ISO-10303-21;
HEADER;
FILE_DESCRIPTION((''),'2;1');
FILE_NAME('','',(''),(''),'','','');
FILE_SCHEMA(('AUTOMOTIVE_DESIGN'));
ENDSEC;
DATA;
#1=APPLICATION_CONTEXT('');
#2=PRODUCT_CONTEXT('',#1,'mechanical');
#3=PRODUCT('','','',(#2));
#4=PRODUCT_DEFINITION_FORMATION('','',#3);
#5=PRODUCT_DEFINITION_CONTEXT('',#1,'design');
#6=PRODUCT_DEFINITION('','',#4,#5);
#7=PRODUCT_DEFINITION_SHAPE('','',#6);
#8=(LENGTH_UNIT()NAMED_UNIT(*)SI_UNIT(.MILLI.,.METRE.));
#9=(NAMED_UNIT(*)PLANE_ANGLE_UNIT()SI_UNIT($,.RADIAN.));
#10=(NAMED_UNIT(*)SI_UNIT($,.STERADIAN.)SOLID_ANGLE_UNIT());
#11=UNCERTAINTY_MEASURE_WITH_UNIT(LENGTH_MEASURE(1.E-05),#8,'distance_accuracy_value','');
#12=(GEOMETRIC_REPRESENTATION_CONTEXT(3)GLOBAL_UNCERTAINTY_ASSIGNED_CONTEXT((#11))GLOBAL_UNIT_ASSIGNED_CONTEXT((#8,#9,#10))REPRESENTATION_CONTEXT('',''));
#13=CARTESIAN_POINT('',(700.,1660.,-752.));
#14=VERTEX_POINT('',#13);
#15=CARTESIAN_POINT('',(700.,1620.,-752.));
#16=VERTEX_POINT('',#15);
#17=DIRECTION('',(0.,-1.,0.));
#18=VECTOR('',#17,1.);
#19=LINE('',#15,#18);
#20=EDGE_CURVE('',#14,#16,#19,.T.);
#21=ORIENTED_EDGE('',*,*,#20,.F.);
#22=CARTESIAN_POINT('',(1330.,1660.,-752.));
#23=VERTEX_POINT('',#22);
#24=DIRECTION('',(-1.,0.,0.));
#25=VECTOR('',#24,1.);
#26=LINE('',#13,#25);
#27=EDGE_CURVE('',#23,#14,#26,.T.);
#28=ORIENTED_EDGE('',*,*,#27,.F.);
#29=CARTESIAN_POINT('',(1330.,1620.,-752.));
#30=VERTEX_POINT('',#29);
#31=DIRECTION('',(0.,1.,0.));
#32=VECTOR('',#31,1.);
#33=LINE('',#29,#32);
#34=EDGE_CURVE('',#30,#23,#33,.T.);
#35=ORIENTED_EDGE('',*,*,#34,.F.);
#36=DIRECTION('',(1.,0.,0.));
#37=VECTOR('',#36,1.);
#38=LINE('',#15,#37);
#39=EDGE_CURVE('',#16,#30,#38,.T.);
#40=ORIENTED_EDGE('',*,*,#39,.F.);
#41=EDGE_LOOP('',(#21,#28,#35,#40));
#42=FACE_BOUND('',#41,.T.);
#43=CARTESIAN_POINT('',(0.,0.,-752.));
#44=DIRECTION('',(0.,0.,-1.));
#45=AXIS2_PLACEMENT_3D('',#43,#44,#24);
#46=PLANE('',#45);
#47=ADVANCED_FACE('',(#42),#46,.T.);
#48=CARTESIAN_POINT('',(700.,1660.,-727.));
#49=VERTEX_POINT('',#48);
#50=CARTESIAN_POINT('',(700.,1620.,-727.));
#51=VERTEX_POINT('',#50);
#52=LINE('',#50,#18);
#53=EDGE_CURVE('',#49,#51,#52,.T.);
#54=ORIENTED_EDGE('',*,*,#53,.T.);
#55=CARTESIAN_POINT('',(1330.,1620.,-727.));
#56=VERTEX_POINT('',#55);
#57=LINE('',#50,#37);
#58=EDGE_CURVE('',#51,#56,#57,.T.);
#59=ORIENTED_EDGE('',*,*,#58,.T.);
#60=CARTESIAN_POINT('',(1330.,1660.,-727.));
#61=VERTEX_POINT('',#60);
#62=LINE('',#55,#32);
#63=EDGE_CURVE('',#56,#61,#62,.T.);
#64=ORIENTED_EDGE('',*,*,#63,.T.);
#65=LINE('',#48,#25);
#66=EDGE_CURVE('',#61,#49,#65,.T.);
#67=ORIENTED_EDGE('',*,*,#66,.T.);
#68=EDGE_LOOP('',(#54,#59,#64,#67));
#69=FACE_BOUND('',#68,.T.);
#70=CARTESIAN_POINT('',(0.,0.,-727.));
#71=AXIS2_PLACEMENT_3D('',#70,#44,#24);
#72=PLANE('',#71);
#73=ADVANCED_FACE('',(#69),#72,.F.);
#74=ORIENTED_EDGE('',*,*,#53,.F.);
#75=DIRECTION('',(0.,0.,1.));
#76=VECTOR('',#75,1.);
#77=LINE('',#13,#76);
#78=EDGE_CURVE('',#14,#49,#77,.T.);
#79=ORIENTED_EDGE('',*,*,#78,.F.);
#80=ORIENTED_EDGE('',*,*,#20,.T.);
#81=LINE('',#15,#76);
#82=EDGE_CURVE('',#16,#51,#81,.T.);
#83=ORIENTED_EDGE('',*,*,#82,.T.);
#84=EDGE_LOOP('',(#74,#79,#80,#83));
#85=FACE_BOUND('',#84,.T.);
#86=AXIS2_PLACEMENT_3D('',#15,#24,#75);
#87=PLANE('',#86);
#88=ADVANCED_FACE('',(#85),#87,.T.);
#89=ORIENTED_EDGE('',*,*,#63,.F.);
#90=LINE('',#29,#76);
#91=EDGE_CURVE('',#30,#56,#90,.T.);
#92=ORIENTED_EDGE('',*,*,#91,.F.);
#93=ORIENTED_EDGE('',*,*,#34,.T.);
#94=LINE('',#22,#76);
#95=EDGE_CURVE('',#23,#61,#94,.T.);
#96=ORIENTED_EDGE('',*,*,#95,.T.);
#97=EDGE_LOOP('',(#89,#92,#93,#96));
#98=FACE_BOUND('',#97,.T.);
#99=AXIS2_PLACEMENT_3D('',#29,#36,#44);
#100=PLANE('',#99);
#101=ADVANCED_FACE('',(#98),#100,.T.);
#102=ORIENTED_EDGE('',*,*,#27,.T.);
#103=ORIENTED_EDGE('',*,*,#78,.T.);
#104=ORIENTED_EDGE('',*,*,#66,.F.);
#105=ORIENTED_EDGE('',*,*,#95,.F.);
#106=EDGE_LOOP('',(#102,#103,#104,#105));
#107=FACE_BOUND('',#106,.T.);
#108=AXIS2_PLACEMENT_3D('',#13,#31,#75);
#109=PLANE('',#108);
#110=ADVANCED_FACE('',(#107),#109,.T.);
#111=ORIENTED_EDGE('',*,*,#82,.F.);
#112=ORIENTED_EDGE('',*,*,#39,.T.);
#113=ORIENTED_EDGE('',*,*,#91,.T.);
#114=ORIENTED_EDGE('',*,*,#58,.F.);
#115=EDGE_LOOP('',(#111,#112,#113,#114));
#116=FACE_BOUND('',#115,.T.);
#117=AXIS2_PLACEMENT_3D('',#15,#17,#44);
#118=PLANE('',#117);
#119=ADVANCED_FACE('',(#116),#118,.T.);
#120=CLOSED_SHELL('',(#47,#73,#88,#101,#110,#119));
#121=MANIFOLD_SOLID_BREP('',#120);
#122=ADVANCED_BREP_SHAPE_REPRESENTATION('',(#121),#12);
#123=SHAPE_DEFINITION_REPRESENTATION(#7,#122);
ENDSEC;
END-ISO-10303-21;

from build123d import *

# Parameters (mm, degrees)
STORE_KABLO_KANALI_YATAY_40X25_1_START = -727
SKETCH1_W                              = 630
SKETCH1_H                              = 40
STORE_KABLO_KANALI_YATAY_40X25_1_DEPTH = 25


with BuildPart() as part:
    # Sketch1 → STORE_kablo_kanali_yatay_40x25_1 (new body)
    with BuildSketch(Plane.XY.offset(STORE_KABLO_KANALI_YATAY_40X25_1_START)):
        with Locations((1015, 1640)):
            Rectangle(SKETCH1_W, SKETCH1_H)
    extrude(amount=-STORE_KABLO_KANALI_YATAY_40X25_1_DEPTH)


solid = part.part
